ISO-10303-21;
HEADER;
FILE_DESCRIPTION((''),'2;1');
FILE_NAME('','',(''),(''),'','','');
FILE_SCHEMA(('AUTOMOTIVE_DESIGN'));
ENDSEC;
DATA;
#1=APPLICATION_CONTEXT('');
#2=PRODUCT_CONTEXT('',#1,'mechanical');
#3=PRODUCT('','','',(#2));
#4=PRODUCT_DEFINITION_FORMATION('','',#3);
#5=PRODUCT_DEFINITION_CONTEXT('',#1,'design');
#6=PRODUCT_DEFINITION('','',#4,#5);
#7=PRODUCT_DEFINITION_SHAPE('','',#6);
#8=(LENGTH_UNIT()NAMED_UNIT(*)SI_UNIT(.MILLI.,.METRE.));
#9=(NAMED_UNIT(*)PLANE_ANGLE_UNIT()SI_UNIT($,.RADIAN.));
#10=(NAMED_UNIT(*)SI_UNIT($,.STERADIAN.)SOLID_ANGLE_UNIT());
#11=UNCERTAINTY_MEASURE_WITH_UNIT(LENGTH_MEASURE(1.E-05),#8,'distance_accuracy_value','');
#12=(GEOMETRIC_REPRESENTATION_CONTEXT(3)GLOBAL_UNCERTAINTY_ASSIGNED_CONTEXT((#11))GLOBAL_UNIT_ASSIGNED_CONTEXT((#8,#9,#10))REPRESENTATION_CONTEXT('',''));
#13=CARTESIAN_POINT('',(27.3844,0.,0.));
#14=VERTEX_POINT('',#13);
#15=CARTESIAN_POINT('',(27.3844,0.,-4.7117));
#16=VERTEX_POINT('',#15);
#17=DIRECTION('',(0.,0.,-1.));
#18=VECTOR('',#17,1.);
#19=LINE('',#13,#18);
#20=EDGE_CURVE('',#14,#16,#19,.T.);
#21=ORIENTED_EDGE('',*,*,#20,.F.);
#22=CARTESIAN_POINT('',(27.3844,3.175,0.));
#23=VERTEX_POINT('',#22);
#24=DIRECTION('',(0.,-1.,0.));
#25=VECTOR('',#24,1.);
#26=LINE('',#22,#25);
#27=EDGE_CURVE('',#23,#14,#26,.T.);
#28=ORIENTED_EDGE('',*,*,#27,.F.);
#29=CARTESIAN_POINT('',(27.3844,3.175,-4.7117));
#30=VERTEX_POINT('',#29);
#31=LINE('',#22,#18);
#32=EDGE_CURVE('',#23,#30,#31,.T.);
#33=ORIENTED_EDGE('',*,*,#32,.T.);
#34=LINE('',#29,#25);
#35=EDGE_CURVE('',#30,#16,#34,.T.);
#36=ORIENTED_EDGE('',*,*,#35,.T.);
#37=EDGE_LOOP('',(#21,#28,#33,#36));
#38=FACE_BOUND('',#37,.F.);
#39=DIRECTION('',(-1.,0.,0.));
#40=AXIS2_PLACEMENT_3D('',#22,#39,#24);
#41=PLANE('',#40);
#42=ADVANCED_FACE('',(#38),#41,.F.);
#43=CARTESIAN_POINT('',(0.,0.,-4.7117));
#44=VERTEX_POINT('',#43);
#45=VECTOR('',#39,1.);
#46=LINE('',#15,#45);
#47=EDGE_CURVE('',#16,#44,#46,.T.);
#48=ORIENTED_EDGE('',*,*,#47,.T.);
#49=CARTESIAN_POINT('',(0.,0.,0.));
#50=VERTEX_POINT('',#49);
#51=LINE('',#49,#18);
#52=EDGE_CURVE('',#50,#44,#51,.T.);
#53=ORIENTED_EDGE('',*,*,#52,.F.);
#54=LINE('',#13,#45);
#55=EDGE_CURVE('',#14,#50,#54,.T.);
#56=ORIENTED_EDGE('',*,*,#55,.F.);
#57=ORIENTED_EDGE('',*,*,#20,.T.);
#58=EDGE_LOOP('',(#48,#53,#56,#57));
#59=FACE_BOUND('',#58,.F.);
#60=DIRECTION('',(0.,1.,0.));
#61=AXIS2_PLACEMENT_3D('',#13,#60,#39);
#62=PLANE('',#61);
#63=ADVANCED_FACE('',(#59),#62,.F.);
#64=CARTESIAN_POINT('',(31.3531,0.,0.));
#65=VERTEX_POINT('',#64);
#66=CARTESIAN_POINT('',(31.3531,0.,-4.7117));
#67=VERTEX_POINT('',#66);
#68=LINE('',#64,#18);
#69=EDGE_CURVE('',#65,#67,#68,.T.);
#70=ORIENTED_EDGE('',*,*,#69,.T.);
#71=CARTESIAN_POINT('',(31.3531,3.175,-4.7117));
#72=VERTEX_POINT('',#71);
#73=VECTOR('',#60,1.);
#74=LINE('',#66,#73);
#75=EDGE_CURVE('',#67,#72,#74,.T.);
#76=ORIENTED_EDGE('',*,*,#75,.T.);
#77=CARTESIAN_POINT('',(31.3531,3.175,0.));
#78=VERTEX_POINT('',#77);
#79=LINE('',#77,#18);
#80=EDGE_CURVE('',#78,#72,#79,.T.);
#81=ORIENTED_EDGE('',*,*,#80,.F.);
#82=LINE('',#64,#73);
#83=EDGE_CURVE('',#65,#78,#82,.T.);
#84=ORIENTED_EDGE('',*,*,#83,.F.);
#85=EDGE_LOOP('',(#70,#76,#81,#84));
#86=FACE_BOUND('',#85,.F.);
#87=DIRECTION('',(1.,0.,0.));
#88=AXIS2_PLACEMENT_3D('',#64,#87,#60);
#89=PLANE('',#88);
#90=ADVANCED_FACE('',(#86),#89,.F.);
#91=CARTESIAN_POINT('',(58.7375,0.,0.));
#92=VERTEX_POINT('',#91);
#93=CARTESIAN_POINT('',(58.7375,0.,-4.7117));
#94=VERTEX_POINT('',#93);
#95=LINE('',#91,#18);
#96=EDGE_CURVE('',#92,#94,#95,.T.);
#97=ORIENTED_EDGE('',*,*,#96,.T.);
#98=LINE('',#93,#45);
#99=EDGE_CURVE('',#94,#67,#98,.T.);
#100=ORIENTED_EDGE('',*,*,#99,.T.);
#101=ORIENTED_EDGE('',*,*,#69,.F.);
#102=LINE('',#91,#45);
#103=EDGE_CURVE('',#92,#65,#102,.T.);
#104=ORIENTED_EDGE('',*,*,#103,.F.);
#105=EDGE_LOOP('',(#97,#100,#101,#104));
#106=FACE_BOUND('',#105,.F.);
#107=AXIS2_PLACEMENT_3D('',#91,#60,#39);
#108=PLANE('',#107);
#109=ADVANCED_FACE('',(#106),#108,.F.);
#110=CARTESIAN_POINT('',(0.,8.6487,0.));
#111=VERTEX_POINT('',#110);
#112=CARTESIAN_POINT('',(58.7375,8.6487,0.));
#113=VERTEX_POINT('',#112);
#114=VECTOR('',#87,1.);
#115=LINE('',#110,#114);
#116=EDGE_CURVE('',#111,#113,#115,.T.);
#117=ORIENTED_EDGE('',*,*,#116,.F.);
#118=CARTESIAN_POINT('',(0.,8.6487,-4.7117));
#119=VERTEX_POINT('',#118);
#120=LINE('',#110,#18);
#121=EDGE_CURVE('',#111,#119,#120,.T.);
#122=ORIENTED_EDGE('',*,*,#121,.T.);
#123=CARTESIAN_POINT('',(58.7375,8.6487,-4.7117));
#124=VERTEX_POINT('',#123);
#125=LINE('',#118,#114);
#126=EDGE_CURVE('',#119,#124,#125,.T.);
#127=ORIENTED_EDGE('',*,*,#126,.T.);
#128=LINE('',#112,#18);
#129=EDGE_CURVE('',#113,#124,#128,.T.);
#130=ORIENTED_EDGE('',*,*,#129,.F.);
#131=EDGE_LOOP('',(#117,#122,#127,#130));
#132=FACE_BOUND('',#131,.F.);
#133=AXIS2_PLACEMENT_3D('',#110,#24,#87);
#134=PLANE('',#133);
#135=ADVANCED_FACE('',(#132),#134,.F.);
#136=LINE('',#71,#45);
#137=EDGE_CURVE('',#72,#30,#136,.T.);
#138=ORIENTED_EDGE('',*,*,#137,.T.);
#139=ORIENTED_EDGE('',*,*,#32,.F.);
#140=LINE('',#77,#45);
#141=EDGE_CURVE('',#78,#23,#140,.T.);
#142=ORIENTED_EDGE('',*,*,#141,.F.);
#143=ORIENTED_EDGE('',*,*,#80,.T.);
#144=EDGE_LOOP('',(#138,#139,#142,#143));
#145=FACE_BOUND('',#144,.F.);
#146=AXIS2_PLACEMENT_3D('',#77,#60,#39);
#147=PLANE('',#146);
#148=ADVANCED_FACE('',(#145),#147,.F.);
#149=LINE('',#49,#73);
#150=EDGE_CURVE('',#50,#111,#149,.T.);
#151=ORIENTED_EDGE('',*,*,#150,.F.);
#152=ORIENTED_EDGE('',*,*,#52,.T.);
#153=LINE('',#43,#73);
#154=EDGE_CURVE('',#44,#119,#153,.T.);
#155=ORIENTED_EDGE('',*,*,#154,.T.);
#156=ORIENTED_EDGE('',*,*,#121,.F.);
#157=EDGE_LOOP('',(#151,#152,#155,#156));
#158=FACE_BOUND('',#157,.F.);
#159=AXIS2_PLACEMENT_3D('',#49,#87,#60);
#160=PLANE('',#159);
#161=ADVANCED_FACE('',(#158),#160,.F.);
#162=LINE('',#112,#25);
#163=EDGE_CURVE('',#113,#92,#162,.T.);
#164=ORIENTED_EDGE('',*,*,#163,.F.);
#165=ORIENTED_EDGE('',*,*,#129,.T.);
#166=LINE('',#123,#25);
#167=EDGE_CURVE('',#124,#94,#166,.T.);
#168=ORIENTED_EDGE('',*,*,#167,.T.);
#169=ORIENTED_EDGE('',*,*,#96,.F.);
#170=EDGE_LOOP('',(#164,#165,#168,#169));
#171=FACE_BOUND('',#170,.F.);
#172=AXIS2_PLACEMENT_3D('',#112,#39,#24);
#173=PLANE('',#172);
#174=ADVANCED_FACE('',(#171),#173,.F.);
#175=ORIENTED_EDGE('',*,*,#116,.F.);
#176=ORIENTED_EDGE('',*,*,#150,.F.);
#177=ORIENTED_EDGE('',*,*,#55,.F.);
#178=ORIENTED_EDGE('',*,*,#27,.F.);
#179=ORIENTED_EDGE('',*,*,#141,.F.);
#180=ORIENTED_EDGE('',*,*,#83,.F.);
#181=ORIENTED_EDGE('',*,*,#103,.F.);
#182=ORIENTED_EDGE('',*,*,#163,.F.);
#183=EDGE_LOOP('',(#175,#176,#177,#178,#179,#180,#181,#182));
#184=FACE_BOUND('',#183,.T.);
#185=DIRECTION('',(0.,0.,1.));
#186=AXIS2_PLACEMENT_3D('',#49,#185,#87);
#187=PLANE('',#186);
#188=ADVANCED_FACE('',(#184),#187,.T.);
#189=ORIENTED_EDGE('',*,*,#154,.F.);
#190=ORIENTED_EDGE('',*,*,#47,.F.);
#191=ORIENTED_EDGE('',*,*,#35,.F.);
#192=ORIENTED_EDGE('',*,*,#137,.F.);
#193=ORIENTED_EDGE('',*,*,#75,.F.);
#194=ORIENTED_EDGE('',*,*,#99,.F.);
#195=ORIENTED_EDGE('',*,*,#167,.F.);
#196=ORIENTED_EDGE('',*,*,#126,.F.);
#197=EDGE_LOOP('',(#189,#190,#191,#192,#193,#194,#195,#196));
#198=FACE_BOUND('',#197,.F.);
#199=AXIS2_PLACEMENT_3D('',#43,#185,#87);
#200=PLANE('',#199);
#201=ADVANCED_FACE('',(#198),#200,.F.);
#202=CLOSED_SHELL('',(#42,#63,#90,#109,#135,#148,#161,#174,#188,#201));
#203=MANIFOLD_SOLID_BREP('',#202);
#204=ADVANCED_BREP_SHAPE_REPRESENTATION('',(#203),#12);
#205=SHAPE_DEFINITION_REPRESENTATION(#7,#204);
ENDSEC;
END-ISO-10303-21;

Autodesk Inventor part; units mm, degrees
ref_plane "YZ Plane" through (0, 0, 0) normal (1, 0, 0) x (0, 1, 0)
ref_plane "XZ Plane" through (0, 0, 0) normal (0, 1, 0) x (-1, 0, 0)
ref_plane "XY Plane" through (0, 0, 0) normal (0, 0, 1) x (1, 0, 0)
sketch "Sketch1" plane through (0, 0, 0) normal (0, 0, 1) x (1, 0, 0)
  line L0 (0, 0) -> (0, 8.6487)
  line L1 (0, 8.6487) -> (58.7375, 8.6487)
  line L2 (58.7375, 8.6487) -> (58.7375, 0)
  line L3 (58.7375, 0) -> (31.3531, 0)
  line L4 (31.3531, 0) -> (31.3531, 3.175)
  line L5 (31.3531, 3.175) -> (27.3844, 3.175)
  line L6 (27.3844, 3.175) -> (27.3844, 0)
  line L7 (27.3844, 0) -> (0, 0)
  dimension "d0" = 3.9688
  dimension "d1" = 3.175
  dimension "d2" = 58.7375
  dimension "d3" = 8.6487
extrude "Extrusion1" add sketch "Sketch1" against normal blind 4.7117
properties part number "VS-009 (SLIDE KEY)" material "Steel, Carbon"
